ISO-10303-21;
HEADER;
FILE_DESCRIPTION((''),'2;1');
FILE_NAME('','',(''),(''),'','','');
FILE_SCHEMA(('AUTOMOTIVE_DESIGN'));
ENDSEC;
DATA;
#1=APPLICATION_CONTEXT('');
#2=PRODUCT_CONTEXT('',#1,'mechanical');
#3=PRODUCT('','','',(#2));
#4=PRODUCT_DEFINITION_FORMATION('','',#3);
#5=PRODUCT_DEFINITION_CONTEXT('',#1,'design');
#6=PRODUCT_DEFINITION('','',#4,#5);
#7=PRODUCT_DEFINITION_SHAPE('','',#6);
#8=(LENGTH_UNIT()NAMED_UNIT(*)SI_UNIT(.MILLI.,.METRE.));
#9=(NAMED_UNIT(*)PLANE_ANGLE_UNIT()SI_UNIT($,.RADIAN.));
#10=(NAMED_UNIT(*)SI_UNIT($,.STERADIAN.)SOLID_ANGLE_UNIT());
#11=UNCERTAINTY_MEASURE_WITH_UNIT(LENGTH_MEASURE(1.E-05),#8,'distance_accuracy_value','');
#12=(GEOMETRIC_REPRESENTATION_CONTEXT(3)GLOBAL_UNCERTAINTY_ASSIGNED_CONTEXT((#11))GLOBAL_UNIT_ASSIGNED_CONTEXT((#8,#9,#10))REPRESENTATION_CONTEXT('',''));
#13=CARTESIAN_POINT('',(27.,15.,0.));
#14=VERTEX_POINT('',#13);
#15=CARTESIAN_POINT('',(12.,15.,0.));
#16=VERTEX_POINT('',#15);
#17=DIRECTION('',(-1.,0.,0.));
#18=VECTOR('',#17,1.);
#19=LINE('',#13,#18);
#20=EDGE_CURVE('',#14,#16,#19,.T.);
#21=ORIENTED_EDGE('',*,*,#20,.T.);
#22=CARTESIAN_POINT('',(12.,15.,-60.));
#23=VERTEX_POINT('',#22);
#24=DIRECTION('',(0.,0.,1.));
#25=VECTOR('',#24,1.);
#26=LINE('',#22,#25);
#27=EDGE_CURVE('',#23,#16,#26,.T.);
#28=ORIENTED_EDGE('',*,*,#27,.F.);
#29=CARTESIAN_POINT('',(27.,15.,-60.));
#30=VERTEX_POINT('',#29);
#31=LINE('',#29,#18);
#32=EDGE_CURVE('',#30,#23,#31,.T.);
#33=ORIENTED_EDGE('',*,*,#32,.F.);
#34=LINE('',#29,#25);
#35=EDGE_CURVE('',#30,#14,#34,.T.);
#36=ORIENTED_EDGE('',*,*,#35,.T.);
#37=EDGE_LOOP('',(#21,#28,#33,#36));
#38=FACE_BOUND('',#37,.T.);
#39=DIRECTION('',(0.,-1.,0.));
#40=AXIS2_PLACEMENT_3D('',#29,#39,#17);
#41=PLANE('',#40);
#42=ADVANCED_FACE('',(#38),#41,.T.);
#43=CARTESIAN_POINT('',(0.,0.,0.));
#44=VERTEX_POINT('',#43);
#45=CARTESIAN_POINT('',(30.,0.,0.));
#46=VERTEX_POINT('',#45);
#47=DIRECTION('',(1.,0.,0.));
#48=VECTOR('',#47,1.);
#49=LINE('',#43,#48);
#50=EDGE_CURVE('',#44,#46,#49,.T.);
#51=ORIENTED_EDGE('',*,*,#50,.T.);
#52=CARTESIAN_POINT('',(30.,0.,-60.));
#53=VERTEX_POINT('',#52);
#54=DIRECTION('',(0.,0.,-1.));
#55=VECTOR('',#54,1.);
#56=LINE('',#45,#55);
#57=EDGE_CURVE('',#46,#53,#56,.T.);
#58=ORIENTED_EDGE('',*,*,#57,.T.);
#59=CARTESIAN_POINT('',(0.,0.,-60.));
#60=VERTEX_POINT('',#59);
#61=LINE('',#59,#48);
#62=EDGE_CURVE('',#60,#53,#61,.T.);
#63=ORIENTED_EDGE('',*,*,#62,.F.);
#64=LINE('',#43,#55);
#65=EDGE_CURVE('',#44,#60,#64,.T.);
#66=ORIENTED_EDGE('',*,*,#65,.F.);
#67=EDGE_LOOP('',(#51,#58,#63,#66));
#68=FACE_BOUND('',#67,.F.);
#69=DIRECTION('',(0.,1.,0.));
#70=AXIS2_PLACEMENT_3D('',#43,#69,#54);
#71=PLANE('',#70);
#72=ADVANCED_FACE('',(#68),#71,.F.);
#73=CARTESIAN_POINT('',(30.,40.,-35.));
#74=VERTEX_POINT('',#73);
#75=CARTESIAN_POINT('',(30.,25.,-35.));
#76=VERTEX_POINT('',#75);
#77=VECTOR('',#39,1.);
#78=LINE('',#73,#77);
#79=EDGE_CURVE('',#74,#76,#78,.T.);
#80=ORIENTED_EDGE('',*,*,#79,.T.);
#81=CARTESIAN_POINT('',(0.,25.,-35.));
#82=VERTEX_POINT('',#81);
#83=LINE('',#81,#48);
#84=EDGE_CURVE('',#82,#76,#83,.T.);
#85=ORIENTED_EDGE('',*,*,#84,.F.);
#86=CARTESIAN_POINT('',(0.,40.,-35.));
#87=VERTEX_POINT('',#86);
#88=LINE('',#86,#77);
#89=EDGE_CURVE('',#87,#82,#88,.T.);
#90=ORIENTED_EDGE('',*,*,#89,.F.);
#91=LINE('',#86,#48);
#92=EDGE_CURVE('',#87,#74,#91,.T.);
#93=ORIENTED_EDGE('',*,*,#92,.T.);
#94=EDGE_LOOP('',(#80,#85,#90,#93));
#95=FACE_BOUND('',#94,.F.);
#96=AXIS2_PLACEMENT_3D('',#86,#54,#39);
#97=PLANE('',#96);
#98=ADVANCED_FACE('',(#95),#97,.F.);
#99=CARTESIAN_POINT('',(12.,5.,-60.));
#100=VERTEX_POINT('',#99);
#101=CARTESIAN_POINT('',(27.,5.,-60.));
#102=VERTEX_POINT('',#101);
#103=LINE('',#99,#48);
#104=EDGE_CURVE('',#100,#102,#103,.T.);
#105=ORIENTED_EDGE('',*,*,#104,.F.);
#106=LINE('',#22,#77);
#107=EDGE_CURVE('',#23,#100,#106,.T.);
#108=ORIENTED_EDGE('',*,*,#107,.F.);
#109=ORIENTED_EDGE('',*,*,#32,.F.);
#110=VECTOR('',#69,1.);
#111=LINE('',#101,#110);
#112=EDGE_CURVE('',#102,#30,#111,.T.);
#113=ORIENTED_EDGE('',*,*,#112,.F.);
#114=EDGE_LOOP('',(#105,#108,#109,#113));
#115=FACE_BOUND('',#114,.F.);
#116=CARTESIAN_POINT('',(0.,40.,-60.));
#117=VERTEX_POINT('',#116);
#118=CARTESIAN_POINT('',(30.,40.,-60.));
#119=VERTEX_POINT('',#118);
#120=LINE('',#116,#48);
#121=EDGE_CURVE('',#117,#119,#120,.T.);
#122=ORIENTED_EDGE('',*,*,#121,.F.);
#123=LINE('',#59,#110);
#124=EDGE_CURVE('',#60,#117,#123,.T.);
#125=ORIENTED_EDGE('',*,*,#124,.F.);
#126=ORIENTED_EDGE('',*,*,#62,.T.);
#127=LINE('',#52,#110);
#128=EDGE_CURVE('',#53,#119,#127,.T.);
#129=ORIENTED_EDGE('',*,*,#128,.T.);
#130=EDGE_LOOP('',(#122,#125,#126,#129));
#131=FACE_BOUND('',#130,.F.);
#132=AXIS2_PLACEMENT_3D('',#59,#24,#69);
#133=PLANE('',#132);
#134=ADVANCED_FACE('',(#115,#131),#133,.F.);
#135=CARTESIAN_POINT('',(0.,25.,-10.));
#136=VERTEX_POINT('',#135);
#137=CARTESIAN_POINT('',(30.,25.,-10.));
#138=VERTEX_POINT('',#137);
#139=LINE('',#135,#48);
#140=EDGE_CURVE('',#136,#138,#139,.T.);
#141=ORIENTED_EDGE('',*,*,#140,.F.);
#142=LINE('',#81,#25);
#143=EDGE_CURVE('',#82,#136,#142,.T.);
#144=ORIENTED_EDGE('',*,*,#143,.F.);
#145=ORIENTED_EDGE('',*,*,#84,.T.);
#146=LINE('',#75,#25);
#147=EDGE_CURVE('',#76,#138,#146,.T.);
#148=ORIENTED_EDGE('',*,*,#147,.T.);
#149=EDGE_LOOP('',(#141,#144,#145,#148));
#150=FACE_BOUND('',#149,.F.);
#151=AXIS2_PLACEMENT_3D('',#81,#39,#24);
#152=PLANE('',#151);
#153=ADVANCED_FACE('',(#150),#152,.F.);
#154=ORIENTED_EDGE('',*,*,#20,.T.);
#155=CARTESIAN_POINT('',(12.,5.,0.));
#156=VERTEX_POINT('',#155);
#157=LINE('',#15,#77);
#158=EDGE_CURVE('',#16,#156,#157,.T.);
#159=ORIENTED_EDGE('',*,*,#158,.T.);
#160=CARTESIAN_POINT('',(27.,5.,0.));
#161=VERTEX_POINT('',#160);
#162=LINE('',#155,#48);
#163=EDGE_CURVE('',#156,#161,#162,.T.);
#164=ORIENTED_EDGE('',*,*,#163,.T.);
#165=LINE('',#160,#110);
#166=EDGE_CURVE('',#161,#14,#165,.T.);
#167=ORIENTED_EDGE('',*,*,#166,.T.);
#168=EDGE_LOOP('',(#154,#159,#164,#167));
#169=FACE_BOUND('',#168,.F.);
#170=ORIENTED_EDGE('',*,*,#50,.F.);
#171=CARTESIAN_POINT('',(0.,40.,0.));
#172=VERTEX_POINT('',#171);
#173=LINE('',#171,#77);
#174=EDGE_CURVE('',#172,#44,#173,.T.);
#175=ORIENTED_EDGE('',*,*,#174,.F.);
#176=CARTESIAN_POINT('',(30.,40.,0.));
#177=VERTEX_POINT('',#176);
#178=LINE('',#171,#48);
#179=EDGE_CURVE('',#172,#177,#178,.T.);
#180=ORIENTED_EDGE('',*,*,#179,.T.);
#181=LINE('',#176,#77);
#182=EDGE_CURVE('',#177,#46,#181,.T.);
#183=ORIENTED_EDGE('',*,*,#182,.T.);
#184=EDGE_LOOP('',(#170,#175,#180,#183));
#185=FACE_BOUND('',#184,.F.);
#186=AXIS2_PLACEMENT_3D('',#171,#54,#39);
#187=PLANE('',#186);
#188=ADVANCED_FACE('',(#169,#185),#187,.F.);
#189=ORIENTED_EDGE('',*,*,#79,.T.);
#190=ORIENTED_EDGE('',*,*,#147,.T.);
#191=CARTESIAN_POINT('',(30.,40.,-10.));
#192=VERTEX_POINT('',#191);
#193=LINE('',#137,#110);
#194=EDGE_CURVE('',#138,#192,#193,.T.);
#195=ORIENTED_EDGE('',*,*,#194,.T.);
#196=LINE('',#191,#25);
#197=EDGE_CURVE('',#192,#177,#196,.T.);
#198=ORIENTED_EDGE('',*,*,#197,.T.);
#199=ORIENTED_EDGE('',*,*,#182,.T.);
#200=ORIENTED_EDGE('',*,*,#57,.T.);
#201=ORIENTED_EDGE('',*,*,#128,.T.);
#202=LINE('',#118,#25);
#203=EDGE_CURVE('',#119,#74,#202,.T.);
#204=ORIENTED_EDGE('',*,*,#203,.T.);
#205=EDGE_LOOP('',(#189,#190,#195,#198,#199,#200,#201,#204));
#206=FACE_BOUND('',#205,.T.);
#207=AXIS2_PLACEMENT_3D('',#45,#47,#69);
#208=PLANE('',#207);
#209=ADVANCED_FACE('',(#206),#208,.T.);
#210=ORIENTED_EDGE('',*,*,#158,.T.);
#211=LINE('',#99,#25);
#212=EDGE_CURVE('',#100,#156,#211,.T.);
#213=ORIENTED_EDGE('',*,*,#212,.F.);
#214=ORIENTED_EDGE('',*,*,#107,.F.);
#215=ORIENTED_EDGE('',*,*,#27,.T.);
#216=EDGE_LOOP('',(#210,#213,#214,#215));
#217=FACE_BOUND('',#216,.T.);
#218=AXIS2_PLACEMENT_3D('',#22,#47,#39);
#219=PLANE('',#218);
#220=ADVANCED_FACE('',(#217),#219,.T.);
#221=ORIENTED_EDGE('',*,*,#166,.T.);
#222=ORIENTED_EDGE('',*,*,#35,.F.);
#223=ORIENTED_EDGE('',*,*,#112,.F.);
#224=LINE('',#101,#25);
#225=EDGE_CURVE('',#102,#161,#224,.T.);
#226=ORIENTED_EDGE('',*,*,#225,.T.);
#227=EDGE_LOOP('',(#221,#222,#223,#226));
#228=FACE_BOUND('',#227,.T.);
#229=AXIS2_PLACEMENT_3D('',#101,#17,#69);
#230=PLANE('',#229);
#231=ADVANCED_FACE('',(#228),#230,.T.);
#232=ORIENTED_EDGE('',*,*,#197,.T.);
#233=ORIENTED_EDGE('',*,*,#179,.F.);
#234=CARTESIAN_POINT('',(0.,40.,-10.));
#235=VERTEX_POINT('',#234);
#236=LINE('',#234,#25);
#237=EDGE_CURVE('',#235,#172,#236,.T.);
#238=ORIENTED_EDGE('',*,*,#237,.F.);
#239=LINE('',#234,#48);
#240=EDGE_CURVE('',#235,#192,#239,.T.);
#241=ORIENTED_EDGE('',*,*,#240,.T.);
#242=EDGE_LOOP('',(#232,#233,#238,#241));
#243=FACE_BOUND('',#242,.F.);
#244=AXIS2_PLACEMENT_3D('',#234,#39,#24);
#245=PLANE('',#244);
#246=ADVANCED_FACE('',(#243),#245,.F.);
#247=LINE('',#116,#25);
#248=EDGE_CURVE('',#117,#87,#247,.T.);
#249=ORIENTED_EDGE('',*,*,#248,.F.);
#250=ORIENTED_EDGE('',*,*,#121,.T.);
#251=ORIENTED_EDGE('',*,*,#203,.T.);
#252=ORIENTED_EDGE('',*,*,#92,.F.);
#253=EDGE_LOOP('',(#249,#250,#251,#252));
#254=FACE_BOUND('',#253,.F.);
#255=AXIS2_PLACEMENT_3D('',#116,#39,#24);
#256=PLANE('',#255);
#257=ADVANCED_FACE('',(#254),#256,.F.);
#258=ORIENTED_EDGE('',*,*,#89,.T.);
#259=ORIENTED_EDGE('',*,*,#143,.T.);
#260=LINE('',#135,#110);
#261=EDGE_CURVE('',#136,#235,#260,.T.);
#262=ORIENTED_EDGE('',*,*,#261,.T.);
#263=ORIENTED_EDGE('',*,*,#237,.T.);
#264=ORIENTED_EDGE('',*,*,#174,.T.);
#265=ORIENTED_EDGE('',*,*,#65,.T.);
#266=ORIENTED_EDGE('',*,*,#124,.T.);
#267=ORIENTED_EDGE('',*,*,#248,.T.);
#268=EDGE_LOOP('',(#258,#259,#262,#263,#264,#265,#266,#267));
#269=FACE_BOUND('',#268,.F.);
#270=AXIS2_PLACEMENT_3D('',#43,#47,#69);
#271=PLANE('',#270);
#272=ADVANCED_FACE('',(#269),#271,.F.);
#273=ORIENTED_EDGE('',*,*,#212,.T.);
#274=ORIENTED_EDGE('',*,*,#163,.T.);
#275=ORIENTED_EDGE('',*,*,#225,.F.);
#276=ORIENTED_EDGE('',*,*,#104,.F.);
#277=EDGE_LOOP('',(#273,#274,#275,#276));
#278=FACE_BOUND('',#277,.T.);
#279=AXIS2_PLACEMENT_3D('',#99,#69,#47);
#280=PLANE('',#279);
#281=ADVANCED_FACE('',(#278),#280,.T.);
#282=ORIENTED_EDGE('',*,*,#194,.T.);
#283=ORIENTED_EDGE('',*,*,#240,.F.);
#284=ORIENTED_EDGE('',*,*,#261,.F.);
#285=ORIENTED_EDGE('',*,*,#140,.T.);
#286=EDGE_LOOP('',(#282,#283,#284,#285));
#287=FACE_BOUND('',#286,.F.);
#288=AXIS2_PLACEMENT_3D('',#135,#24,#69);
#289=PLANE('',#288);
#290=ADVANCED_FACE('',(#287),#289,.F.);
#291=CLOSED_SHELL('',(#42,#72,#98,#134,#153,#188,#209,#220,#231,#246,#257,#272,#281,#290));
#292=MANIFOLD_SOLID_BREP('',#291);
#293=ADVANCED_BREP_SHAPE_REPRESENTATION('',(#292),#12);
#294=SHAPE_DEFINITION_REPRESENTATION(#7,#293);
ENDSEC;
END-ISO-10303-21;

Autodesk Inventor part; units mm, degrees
ref_plane "YZ Plane" through (0, 0, 0) normal (1, 0, 0) x (0, 1, 0)
ref_plane "XZ Plane" through (0, 0, 0) normal (0, 1, 0) x (-1, 0, 0)
ref_plane "XY Plane" through (0, 0, 0) normal (0, 0, 1) x (1, 0, 0)
sketch "Sketch1" plane through (0, 0, 0) normal (1, 0, 0) x (0, 1, 0)
  line L0 (0, 0) -> (0, -60)
  line L1 (0, -60) -> (40, -60)
  line L2 (40, -60) -> (40, -35)
  line L3 (40, -35) -> (25, -35)
  line L4 (25, -35) -> (25, -10)
  line L5 (25, -10) -> (40, -10)
  line L6 (40, -10) -> (40, 0)
  line L7 (40, 0) -> (0, 0)
  dimension "d0" = 60
  dimension "d1" = 40
  dimension "d2" = 25
  dimension "d3" = 15
  dimension "d4" = 25
extrude "Extrusion1" add sketch "Sketch1" along normal blind 30
sketch "Sketch2" plane through (0, 0, -60) normal (0, 0, -1) x (-1, 0, 0)
  line L0 (-30, 40) -> (-30, 0) projected
  line L1 (-30, 0) -> (-30, 5)
  line L2 (-27, 5) -> (-27, 15)
  line L3 (-27, 15) -> (-12, 15)
  line L4 (-12, 15) -> (-12, 5)
  line L5 (-12, 5) -> (-27, 5)
  point P0 (0, 0)
  dimension "d7" = 5
  dimension "d8" = 3
  dimension "d9" = 10
  dimension "d10" = 15
extrude "Extrusion2" cut sketch "Sketch2" against normal blind 60
properties part number "Model Creation 2"
